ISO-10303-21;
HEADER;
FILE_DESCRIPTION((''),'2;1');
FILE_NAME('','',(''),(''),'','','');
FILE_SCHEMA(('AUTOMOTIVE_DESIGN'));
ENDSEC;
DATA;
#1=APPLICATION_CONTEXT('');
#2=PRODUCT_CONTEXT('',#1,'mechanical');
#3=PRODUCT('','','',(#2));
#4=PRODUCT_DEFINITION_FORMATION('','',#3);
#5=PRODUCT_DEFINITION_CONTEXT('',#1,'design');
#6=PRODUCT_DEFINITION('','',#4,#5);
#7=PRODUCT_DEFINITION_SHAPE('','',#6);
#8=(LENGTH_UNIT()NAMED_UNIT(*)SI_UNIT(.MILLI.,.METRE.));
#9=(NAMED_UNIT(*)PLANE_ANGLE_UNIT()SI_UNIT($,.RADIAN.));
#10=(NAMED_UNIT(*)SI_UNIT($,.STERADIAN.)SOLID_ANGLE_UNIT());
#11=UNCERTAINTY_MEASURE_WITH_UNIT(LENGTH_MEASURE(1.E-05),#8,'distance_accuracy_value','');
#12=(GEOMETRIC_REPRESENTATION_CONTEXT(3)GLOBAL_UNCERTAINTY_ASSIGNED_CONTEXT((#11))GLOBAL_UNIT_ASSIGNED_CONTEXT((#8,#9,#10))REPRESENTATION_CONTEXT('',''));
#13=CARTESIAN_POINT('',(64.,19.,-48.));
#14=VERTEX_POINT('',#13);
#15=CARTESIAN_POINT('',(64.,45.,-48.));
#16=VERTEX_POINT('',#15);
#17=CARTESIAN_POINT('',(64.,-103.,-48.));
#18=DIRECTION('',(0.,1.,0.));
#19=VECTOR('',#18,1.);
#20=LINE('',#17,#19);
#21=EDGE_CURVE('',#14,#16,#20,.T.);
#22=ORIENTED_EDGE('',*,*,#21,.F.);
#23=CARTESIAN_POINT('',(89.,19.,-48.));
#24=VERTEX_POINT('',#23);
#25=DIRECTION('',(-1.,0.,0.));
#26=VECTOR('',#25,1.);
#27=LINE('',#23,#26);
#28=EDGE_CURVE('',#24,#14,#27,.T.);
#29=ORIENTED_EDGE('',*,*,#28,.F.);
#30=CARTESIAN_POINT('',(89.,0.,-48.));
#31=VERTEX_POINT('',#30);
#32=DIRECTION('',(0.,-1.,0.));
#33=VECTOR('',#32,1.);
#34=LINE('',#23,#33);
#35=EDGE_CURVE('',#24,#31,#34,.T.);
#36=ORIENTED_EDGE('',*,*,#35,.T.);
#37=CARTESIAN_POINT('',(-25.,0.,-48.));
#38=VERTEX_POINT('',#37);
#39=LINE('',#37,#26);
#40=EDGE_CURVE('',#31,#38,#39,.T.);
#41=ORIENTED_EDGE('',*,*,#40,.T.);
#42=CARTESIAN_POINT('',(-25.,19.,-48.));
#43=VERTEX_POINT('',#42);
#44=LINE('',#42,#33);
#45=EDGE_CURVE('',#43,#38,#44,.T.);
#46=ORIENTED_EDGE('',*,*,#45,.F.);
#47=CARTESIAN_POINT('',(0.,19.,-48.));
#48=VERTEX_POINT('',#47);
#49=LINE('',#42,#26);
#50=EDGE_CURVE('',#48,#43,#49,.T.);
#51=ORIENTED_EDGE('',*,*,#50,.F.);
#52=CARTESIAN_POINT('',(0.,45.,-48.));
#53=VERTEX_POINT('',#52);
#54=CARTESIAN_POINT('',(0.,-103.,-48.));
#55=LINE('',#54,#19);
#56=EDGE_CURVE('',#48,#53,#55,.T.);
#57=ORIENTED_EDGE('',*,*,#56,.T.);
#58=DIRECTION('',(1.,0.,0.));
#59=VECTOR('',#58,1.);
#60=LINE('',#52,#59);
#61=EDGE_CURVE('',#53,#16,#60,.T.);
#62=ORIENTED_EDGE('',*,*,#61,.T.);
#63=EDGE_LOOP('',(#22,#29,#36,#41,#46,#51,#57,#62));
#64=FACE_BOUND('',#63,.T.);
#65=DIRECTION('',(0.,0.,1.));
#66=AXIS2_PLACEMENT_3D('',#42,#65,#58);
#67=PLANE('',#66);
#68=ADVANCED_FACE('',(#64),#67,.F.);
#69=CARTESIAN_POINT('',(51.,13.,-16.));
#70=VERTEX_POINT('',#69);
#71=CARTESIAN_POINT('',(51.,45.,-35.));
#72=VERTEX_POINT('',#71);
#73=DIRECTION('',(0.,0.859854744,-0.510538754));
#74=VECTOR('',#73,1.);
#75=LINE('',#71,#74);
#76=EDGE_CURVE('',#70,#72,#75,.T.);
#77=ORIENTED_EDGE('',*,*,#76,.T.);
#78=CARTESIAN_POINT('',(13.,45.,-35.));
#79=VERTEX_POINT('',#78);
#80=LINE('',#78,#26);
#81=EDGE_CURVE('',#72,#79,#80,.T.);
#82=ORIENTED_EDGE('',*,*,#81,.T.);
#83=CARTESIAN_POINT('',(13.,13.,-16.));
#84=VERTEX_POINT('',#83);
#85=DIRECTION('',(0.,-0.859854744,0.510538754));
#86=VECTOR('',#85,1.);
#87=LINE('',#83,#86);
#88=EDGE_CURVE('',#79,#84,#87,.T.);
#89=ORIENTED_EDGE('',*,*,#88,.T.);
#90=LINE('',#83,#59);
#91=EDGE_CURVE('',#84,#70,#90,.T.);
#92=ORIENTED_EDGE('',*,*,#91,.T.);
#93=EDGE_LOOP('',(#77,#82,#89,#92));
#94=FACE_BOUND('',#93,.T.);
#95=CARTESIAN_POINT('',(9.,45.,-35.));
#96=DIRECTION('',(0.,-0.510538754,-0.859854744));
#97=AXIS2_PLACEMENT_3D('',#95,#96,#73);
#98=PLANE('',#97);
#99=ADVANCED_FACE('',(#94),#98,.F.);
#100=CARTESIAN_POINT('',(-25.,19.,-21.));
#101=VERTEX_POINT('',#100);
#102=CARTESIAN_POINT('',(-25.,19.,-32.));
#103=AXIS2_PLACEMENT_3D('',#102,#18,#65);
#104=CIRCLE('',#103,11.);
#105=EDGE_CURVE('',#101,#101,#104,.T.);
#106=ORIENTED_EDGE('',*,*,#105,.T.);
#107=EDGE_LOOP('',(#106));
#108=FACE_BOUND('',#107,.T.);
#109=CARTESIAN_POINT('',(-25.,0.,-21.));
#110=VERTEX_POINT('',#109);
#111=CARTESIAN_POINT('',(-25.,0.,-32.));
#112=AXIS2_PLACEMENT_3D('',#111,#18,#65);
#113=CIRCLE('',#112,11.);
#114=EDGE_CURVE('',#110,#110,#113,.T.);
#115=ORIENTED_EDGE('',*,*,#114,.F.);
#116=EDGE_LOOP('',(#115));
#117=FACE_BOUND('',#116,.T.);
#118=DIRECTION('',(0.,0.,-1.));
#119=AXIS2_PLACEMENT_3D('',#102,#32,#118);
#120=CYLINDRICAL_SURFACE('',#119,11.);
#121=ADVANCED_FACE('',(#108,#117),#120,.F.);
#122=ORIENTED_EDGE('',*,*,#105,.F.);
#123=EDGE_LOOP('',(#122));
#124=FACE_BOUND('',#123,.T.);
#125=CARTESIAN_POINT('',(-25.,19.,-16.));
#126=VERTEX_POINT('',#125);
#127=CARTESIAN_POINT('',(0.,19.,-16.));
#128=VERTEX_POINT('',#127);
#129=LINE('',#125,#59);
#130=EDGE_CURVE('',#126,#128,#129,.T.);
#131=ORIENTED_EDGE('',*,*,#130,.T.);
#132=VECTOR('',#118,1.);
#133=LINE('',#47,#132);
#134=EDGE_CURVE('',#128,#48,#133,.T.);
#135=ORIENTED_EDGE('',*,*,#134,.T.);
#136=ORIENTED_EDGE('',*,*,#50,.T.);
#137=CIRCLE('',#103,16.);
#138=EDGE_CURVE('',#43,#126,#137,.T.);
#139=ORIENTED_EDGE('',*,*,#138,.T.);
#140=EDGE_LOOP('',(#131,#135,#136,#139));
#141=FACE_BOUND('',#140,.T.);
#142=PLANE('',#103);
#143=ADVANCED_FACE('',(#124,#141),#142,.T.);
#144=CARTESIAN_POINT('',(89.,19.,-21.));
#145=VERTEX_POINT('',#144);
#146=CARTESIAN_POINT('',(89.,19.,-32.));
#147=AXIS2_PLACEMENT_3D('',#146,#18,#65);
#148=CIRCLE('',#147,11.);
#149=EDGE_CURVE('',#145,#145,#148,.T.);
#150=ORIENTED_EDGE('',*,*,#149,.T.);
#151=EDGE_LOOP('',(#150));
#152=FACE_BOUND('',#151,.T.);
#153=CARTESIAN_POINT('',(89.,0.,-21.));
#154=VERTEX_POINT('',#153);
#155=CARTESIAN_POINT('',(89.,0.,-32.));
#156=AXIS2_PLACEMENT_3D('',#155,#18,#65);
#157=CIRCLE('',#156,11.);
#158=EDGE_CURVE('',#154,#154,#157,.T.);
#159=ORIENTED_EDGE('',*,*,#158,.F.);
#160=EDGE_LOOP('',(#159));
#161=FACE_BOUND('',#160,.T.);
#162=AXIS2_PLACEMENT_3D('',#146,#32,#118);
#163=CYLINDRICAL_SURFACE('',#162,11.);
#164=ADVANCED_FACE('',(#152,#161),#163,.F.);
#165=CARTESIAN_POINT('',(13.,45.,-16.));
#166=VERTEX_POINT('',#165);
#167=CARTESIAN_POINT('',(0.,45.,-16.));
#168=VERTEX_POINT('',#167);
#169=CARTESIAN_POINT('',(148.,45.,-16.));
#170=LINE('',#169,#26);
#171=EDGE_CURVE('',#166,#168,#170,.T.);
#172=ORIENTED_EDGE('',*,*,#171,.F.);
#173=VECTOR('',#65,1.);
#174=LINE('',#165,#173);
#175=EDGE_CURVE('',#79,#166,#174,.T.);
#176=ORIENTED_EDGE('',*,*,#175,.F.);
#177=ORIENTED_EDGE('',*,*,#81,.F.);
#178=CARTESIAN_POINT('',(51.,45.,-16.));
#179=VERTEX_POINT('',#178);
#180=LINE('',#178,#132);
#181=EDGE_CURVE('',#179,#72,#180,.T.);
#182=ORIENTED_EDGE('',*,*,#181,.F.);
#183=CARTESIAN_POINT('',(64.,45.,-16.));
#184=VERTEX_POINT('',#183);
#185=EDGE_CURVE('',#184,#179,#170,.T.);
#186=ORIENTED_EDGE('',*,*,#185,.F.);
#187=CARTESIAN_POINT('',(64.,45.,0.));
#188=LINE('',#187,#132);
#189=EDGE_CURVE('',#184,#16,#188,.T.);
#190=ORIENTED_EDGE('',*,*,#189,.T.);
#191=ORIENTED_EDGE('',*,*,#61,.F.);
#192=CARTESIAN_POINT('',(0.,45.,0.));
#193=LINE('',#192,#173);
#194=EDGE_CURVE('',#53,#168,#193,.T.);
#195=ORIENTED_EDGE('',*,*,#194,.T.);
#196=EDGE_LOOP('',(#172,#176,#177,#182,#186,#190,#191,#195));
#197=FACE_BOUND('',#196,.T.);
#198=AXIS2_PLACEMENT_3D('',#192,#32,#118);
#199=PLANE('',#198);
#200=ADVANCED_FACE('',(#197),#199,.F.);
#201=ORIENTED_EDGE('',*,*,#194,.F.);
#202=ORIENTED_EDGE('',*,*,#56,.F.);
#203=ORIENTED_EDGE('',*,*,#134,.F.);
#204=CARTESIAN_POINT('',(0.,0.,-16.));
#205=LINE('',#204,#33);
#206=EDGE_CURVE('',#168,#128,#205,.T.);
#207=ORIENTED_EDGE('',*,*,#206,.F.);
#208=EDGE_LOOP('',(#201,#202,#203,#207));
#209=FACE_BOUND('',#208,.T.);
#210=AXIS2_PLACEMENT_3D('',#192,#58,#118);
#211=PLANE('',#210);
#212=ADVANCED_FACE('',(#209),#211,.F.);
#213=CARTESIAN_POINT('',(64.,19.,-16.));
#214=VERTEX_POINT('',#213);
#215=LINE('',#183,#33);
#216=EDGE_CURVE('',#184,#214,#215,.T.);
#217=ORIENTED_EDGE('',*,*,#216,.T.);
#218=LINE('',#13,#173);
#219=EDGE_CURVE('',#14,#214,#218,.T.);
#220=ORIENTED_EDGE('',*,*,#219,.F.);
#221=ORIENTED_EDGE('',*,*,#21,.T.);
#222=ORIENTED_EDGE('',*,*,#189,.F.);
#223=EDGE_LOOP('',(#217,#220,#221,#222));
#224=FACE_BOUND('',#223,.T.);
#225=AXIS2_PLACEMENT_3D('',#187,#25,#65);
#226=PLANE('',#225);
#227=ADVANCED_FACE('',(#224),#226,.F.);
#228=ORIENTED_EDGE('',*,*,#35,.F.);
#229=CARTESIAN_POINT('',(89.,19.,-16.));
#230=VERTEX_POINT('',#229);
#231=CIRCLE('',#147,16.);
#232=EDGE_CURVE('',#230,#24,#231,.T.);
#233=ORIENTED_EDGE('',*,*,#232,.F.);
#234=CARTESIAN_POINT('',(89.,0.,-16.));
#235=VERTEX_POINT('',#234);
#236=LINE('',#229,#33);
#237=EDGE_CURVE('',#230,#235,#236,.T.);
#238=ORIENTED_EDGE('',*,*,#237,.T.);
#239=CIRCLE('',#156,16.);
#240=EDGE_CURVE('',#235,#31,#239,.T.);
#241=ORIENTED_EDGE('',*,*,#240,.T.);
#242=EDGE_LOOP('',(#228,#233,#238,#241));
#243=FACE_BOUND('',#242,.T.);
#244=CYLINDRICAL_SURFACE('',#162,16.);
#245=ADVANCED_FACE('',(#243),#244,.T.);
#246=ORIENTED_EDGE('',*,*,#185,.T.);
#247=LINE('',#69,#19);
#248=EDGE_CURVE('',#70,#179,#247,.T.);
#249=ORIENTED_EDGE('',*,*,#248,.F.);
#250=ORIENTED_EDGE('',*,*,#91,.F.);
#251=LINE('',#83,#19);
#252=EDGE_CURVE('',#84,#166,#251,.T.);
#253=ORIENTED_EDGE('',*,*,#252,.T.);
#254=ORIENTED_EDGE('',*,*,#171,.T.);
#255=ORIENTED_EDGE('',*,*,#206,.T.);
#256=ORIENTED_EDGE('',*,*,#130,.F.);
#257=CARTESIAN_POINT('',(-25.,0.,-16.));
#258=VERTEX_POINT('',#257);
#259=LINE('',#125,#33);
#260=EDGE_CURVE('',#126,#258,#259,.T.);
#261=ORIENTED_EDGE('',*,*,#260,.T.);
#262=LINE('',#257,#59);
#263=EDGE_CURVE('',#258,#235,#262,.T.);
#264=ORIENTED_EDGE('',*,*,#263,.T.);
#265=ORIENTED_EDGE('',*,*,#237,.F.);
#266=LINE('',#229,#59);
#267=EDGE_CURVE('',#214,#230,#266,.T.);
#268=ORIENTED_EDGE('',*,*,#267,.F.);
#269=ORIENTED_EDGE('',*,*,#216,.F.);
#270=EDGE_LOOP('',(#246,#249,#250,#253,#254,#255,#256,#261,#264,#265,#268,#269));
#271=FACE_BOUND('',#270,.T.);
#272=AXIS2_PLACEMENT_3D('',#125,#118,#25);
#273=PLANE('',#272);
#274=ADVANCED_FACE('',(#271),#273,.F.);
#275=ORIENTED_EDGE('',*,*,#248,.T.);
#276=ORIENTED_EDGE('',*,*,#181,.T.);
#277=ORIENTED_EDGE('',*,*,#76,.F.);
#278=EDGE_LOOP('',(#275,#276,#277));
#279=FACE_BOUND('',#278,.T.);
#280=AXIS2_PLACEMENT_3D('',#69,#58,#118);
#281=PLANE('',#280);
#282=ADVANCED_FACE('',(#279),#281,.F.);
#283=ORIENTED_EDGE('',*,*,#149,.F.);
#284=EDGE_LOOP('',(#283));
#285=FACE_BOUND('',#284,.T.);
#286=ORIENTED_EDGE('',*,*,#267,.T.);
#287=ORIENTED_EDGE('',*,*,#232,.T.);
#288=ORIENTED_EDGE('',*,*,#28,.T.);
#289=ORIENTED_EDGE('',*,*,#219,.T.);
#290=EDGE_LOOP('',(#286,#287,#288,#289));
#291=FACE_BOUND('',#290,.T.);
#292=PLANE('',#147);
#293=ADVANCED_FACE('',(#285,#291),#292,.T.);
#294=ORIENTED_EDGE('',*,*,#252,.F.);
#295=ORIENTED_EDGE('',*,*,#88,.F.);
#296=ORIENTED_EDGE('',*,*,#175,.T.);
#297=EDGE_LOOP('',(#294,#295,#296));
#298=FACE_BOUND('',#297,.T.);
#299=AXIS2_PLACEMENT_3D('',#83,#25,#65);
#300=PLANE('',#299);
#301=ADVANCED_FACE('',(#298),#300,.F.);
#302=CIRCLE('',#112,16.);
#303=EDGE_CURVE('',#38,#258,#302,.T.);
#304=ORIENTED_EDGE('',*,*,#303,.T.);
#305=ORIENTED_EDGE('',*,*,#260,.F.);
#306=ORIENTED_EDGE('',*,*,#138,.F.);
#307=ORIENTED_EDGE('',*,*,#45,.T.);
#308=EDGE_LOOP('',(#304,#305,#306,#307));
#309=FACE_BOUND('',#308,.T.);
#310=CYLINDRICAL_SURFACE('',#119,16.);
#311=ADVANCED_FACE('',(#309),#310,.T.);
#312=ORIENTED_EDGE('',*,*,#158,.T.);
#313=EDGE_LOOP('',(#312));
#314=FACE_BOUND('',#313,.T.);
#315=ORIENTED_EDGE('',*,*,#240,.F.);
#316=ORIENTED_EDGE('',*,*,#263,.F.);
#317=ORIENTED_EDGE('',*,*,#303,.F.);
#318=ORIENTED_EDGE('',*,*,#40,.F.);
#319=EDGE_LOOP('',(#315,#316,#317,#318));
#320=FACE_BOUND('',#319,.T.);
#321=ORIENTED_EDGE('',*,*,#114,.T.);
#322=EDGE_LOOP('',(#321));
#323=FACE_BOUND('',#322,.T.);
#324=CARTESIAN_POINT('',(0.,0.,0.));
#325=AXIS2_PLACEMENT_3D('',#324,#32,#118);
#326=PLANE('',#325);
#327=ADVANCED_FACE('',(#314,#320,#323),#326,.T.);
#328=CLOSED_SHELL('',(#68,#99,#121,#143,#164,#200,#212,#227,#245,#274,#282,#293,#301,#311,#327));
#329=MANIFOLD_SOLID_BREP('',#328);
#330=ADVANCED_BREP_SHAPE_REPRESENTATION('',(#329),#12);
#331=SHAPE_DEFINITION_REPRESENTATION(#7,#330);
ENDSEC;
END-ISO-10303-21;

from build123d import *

# Parameters (mm, degrees)
SKETCH2_W           = 64
SKETCH2_H           = 64
BOSS_EXTRUDE1_DEPTH = 45
SKETCH3_R           = 11
BOSS_EXTRUDE2_DEPTH = 19
SKETCH7_W           = 16
SKETCH7_H           = 45
CUT_EXTRUDE2_DEPTH  = 148
SKETCH9_W           = 64
SKETCH9_H           = 16
CUT_EXTRUDE4_DEPTH  = 148
SKETCH10_W          = 38
SKETCH10_H          = 19
CUT_EXTRUDE5_DEPTH  = 32
BOSS_EXTRUDE4_DEPTH = 42


with BuildPart() as part:
    # Sketch2 → Boss-Extrude1 (new body)
    with BuildSketch(Plane(origin=(0, 0, 0), x_dir=(1, 0, 0), z_dir=(0, 1, 0))):
        with Locations((32, 32)):
            Rectangle(SKETCH2_W, SKETCH2_H)
    extrude(amount=BOSS_EXTRUDE1_DEPTH)

    # Sketch3 → Boss-Extrude2 (add)
    # profile 1 of 2: a face of its own
    with BuildSketch(Plane(origin=(0, 0, 0), x_dir=(1, 0, 0), z_dir=(0, 1, 0))):
        with BuildLine():
            Line((-25, 48), (0, 48))
            Line((0, 48), (0, 16))
            Line((0, 16), (-25, 16))
            ThreePointArc((-25, 16), (-41, 32), (-25, 48))
        make_face()
        with Locations(Location((-25, 32, 0), (0, 0, 270))):
            Circle(SKETCH3_R, mode=Mode.SUBTRACT)
    # profile 2 of 2: a face of its own
    with BuildSketch(Plane(origin=(0, 0, 0), x_dir=(1, 0, 0), z_dir=(0, 1, 0))):
        with BuildLine():
            Line((89, 48), (64, 48))
            Line((64, 48), (64, 16))
            Line((64, 16), (89, 16))
            ThreePointArc((89, 16), (105, 32), (89, 48))
        make_face()
        with Locations(Location((89, 32, 0), (0, 0, 270))):
            Circle(SKETCH3_R, mode=Mode.SUBTRACT)
    extrude(amount=BOSS_EXTRUDE2_DEPTH)

    # Sketch7 → Cut-Extrude2 (cut)
    with BuildSketch(Plane.ZY):
        with Locations((-8, 22.5)):
            Rectangle(SKETCH7_W, SKETCH7_H)
    extrude(amount=-CUT_EXTRUDE2_DEPTH, mode=Mode.SUBTRACT)

    # Sketch9 → Cut-Extrude4 (cut)
    with BuildSketch(Plane(origin=(0, 45, 0), x_dir=(1, 0, 0), z_dir=(0, 1, 0))):
        with Locations((32, 56)):
            Rectangle(SKETCH9_W, SKETCH9_H)
    extrude(amount=-CUT_EXTRUDE4_DEPTH, mode=Mode.SUBTRACT)

    # Sketch10 → Cut-Extrude5 (cut)
    with BuildSketch(Plane(origin=(0, 45, 0), x_dir=(1, 0, 0), z_dir=(0, 1, 0))):
        with Locations((32, 25.5)):
            Rectangle(SKETCH10_W, SKETCH10_H)
    extrude(amount=-CUT_EXTRUDE5_DEPTH, mode=Mode.SUBTRACT)

    # Sketch12 → Boss-Extrude4 (add)
    with BuildSketch(Plane.ZY.offset(-51)):
        Polygon((-35, 45), (-16, 13), (-35, 13), align=None)
    extrude(amount=BOSS_EXTRUDE4_DEPTH)


solid = part.part
